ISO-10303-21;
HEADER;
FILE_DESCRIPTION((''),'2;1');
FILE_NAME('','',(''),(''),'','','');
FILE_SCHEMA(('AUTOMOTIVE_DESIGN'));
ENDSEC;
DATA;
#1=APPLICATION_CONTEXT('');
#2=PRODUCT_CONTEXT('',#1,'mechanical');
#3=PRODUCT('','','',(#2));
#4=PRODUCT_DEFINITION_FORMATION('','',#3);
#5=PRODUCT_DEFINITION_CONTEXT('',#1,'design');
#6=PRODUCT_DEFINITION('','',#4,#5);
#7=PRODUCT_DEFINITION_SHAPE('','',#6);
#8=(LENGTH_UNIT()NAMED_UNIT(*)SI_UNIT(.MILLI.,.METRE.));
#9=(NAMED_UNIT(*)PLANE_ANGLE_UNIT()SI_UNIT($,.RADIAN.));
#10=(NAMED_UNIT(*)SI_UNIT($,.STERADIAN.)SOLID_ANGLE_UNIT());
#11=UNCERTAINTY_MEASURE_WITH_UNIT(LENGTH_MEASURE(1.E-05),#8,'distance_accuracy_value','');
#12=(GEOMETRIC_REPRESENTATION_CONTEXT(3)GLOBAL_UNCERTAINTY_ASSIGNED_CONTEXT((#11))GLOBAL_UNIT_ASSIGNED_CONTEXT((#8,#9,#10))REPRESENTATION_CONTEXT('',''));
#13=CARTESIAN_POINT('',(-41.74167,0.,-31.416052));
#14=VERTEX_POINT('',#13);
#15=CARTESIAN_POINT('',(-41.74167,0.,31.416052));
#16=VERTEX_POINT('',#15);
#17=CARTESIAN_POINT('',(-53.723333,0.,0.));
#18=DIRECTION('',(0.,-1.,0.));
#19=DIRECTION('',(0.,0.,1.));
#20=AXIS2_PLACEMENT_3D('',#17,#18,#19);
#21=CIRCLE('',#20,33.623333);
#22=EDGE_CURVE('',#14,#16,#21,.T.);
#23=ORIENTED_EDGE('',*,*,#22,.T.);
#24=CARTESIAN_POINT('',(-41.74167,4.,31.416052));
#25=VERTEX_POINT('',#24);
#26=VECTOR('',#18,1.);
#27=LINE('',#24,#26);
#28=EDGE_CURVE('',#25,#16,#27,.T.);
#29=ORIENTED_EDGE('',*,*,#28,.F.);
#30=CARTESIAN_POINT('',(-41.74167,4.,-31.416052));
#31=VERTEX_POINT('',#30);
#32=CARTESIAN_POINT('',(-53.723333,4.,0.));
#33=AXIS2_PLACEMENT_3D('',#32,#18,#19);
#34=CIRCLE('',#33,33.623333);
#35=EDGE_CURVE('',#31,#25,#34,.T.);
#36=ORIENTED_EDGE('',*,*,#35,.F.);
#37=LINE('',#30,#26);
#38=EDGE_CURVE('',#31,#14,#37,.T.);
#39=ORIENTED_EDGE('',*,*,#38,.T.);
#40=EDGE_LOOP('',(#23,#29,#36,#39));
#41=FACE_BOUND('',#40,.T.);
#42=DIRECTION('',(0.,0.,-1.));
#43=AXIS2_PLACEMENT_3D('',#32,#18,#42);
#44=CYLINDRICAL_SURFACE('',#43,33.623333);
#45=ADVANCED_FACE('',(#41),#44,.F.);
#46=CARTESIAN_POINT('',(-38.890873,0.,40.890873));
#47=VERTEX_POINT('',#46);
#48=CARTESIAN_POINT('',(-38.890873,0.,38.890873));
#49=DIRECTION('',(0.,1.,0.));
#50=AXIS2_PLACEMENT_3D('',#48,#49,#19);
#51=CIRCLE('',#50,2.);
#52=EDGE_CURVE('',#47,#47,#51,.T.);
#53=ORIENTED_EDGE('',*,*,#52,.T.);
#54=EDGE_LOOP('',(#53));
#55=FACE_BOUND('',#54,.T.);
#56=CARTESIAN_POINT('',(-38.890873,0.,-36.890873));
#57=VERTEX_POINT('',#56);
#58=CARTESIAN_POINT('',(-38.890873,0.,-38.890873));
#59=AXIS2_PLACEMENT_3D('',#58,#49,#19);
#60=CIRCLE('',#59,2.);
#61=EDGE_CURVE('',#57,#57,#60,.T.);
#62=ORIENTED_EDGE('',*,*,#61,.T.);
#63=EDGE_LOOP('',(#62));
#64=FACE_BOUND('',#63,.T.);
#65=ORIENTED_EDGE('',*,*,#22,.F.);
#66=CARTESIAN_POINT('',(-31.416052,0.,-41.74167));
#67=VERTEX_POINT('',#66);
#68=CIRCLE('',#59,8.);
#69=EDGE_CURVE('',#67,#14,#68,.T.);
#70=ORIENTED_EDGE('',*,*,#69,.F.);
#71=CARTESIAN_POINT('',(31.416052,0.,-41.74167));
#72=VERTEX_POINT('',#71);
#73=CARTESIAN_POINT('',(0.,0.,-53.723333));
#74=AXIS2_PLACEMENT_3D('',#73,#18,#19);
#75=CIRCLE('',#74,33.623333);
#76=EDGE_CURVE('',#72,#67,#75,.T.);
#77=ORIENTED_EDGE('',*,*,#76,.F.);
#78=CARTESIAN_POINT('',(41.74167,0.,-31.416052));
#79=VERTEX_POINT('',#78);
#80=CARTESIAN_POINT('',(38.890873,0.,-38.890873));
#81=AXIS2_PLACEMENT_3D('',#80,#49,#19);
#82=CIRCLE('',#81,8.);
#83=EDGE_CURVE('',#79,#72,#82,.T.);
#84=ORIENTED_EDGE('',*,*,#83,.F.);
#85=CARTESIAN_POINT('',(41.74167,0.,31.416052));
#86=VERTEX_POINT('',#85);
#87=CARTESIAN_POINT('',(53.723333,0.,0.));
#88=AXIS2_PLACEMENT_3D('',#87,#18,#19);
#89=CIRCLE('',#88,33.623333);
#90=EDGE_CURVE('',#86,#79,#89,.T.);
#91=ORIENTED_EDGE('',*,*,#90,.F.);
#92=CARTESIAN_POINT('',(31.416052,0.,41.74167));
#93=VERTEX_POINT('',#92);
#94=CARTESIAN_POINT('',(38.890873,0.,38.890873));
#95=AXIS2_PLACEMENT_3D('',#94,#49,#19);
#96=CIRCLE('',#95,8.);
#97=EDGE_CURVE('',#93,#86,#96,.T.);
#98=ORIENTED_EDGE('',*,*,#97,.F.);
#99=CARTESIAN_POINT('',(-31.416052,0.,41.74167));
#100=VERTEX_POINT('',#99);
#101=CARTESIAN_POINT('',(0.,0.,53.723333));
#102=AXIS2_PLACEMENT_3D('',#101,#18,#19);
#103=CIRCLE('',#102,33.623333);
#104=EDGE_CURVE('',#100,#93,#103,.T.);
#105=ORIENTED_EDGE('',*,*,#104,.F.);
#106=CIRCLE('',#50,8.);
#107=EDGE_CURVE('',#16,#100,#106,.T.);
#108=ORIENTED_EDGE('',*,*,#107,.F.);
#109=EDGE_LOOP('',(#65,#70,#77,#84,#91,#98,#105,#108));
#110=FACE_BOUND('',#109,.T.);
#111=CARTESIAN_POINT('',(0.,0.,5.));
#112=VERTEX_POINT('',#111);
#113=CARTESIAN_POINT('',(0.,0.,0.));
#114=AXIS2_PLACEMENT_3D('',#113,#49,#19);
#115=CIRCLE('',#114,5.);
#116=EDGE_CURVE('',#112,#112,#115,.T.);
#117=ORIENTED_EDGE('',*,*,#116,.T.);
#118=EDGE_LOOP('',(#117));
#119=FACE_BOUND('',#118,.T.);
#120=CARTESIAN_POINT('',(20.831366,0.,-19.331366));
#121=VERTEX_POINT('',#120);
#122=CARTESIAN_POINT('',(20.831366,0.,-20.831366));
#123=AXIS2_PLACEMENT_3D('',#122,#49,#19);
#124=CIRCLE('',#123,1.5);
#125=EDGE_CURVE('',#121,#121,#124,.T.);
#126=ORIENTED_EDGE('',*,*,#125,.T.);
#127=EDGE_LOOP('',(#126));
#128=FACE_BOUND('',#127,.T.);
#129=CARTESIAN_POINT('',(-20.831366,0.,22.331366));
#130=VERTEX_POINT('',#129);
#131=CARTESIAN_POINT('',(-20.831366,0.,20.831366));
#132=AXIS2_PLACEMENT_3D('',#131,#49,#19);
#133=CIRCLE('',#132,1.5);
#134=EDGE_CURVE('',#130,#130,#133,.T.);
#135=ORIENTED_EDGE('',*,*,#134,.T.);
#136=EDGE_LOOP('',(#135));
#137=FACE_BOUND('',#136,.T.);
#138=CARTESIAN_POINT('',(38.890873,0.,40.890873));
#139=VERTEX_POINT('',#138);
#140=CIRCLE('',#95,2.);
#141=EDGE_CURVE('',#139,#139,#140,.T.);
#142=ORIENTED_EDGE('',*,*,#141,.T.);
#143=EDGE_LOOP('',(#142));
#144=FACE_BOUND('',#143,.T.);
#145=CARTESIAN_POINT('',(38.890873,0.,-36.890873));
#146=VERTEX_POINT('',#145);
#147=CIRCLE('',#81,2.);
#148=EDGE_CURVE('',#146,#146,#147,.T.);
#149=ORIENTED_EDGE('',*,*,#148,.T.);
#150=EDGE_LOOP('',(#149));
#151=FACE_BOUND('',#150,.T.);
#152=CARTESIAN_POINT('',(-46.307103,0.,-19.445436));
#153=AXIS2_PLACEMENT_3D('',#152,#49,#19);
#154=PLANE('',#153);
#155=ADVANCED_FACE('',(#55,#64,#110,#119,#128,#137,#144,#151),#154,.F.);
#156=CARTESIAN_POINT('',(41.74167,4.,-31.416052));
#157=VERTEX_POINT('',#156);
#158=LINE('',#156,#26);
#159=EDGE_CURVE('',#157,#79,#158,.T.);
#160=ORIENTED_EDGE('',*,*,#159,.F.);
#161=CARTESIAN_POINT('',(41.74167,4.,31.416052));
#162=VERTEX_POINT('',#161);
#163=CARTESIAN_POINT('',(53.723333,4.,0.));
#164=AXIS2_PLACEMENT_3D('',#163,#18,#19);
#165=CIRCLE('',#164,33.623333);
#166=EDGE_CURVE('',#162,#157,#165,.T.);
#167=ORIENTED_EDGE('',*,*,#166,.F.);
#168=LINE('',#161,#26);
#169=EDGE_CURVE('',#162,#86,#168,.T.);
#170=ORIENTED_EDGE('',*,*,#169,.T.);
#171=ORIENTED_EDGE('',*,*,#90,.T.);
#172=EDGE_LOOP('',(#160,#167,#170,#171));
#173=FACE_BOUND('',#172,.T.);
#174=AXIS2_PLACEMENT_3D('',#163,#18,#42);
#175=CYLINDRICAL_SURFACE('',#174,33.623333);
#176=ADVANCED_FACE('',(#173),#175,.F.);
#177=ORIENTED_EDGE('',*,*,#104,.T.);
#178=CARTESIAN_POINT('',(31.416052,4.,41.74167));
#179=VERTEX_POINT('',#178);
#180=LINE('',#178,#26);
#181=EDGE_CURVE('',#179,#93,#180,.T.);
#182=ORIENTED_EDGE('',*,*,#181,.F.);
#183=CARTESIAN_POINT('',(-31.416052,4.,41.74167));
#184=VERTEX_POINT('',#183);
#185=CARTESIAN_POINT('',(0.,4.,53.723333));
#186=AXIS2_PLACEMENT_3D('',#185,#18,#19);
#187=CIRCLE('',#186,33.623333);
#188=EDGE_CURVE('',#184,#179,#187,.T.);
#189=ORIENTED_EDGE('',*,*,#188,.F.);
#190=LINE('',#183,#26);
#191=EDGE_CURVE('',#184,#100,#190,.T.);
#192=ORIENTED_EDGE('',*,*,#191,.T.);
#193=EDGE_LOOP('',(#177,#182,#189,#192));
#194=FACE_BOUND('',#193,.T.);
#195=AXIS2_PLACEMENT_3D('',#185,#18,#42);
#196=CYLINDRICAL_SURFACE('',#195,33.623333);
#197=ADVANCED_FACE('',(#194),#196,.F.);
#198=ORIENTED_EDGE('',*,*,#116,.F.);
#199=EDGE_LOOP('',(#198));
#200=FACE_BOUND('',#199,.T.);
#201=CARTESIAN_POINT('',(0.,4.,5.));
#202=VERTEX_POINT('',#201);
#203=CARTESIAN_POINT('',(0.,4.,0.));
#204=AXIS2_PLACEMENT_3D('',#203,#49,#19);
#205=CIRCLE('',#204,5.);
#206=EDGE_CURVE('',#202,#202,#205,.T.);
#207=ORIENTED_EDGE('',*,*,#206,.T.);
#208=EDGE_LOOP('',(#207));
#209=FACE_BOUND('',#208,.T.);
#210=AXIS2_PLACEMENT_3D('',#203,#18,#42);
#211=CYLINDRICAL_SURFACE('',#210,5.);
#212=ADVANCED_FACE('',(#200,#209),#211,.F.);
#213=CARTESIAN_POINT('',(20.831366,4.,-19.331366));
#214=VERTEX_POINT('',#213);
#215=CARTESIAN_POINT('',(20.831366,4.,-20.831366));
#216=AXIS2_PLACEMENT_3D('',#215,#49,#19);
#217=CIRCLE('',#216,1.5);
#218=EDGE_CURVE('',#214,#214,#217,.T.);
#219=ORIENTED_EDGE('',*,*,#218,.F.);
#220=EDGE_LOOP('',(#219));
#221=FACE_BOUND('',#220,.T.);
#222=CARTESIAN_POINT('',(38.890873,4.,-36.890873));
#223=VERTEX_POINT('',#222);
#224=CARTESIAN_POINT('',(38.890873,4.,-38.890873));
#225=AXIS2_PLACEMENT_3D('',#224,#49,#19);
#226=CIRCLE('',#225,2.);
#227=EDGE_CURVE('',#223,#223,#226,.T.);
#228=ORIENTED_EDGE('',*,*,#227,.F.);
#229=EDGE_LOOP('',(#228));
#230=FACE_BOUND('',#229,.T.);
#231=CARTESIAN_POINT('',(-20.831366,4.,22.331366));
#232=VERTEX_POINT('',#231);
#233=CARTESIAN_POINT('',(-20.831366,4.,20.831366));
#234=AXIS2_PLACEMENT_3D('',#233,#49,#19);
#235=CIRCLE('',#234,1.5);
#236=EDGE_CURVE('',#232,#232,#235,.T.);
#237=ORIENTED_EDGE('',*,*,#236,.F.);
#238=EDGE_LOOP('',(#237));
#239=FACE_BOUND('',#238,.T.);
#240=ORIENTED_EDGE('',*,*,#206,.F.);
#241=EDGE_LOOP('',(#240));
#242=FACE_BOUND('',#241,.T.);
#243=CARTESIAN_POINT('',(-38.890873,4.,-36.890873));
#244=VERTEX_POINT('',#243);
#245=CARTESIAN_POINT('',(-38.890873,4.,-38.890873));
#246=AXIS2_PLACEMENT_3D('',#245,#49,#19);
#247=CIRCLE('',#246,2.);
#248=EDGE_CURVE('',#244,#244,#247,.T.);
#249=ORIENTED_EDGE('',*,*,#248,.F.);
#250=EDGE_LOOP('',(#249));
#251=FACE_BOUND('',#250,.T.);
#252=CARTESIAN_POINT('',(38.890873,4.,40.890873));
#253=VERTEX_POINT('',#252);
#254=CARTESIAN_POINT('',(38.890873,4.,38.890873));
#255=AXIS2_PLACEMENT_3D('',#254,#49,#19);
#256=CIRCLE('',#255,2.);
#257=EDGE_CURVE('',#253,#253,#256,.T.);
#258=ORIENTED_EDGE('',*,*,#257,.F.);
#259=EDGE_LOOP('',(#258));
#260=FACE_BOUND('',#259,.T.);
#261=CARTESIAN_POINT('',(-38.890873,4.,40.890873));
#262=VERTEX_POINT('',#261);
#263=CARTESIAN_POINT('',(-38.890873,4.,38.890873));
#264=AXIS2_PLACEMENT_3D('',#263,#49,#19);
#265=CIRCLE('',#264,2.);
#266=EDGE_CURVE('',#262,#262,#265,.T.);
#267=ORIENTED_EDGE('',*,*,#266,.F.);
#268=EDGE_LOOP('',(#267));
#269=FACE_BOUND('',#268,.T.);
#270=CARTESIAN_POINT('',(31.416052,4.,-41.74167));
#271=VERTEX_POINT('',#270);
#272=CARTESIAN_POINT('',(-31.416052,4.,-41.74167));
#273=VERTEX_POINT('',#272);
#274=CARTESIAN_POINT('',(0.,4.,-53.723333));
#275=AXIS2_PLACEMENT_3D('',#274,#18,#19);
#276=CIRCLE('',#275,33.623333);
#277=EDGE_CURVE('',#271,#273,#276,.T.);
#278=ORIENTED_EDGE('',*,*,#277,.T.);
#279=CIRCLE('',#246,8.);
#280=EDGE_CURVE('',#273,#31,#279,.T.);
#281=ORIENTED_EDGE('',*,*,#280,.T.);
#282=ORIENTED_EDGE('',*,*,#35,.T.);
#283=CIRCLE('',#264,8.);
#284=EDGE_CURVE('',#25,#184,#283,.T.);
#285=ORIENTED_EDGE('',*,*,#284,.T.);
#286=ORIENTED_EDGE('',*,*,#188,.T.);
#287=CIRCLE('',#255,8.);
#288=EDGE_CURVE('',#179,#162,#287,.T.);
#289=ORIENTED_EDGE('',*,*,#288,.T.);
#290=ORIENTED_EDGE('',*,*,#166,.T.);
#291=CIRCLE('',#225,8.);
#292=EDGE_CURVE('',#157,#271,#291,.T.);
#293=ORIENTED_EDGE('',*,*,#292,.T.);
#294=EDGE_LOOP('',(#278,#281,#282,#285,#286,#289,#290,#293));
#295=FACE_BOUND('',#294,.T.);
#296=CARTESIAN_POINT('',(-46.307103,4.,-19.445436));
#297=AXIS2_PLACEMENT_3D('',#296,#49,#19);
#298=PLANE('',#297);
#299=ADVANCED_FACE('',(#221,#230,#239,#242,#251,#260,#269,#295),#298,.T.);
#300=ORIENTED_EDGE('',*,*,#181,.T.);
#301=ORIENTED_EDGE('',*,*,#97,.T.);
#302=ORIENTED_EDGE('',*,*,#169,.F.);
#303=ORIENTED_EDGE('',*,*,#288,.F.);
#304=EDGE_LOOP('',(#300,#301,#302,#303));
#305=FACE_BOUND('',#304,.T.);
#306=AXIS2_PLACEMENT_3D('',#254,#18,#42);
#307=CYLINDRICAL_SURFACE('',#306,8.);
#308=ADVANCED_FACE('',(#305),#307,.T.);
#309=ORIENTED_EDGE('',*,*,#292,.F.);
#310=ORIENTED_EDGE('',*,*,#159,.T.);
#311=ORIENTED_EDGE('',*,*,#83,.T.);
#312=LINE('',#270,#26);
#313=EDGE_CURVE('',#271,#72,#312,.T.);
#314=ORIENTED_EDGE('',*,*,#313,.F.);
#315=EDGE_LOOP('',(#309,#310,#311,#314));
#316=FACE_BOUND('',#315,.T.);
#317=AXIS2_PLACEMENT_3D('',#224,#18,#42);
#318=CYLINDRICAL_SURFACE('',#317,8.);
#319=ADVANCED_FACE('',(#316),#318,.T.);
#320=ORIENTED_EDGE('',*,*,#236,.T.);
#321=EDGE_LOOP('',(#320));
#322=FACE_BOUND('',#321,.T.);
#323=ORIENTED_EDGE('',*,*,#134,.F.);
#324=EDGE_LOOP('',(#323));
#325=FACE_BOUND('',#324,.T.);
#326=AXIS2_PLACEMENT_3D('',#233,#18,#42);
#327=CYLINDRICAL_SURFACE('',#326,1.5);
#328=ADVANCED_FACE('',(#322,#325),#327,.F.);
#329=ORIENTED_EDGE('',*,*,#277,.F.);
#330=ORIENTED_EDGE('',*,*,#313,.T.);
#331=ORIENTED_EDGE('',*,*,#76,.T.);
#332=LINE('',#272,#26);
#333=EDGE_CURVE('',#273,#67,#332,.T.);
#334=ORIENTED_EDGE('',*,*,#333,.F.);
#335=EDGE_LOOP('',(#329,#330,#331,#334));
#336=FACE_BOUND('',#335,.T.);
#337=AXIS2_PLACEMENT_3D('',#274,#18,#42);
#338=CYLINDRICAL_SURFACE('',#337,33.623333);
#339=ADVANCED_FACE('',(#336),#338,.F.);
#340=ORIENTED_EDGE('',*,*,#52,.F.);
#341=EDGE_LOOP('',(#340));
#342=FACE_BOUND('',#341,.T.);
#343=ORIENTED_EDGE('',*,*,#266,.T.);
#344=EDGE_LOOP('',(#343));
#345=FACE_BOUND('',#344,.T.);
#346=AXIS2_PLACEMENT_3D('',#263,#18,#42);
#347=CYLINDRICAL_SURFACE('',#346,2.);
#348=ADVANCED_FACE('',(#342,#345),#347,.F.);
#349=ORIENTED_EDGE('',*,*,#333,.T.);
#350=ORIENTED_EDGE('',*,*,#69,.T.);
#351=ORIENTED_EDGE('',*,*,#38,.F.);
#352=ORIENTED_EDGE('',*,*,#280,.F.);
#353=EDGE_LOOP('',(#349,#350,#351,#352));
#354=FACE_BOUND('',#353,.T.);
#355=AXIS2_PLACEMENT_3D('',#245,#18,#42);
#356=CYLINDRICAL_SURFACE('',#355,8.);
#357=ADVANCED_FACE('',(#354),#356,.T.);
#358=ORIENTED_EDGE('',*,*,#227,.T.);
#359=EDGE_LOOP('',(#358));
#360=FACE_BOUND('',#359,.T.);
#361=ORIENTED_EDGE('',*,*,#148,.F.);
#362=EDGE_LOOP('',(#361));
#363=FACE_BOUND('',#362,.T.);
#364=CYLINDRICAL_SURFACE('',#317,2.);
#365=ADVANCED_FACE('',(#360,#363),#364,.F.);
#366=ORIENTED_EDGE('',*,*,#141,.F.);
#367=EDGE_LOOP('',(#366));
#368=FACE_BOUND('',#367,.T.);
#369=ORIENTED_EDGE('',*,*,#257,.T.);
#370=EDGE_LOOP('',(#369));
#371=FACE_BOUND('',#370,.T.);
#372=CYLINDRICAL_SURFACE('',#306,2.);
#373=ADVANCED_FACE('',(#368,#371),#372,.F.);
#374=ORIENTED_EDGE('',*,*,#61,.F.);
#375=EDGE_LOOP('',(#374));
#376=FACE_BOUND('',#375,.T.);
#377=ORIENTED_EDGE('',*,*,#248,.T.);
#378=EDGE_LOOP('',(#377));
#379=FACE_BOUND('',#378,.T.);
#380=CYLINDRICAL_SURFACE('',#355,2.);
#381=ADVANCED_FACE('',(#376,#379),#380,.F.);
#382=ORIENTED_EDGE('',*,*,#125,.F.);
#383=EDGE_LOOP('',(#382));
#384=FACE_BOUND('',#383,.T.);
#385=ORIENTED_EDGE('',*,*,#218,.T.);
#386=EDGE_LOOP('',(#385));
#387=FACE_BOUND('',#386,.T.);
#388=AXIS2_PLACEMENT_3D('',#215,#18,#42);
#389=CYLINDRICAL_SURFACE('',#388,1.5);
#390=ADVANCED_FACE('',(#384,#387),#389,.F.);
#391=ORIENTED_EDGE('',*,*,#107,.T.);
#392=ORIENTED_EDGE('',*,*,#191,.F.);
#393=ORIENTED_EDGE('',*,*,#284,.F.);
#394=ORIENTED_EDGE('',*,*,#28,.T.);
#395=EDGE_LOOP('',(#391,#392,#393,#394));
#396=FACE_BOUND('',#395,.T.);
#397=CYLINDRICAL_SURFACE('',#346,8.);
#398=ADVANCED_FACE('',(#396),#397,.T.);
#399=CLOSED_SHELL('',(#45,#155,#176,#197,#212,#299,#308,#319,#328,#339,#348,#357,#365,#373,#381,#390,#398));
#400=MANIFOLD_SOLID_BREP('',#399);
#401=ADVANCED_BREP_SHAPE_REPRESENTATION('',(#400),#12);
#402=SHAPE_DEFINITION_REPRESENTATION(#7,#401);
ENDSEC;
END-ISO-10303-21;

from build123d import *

# Parameters (mm, degrees)
SKETCH1_R           = 2
SKETCH1_R_2         = 5
SKETCH1_R_3         = 1.5
BOSS_EXTRUDE1_DEPTH = 4


with BuildPart() as part:
    # Sketch1 → Boss-Extrude1 (new body)
    with BuildSketch(Plane(origin=(0, 0, 0), x_dir=(1, 0, 0), z_dir=(0, 1, 0))):
        with BuildLine():
            ThreePointArc((-31.416051551, 41.741670191), (0, 20.1), (31.416051551, 41.741670191))
            ThreePointArc((31.416051551, 41.741670191), (44.547727215, 44.547727215), (41.741670191, 31.416051551))
            ThreePointArc((41.741670191, 31.416051551), (20.1, 0), (41.741670191, -31.416051551))
            ThreePointArc((41.741670191, -31.416051551), (44.547727215, -44.547727215), (31.416051551, -41.741670191))
            ThreePointArc((31.416051551, -41.741670191), (0, -20.1), (-31.416051551, -41.741670191))
            ThreePointArc((-31.416051551, -41.741670191), (-44.547727215, -44.547727215), (-41.741670191, -31.416051551))
            ThreePointArc((-41.741670191, -31.416051551), (-20.1, 0), (-41.741670191, 31.416051551))
            ThreePointArc((-41.741670191, 31.416051551), (-44.547727215, 44.547727215), (-31.416051551, 41.741670191))
        make_face()
        with Locations(Location((-38.890872965, 38.890872965, 0), (0, 0, 270))):
            Circle(SKETCH1_R, mode=Mode.SUBTRACT)
        with Locations(Location((38.890872965, 38.890872965, 0), (0, 0, 270))):
            Circle(SKETCH1_R, mode=Mode.SUBTRACT)
        with Locations(Location((38.890872965, -38.890872965, 0), (0, 0, 270))):
            Circle(SKETCH1_R, mode=Mode.SUBTRACT)
        with Locations(Location((-38.890872965, -38.890872965, 0), (0, 0, 270))):
            Circle(SKETCH1_R, mode=Mode.SUBTRACT)
        with Locations(Location((0, 0, 0), (0, 0, 270))):
            Circle(SKETCH1_R_2, mode=Mode.SUBTRACT)
        with Locations(Location((20.831365774, 20.831365774, 0), (0, 0, 270))):
            Circle(SKETCH1_R_3, mode=Mode.SUBTRACT)
        with Locations(Location((-20.831365774, -20.831365774, 0), (0, 0, 270))):
            Circle(SKETCH1_R_3, mode=Mode.SUBTRACT)
    extrude(amount=BOSS_EXTRUDE1_DEPTH)


solid = part.part
